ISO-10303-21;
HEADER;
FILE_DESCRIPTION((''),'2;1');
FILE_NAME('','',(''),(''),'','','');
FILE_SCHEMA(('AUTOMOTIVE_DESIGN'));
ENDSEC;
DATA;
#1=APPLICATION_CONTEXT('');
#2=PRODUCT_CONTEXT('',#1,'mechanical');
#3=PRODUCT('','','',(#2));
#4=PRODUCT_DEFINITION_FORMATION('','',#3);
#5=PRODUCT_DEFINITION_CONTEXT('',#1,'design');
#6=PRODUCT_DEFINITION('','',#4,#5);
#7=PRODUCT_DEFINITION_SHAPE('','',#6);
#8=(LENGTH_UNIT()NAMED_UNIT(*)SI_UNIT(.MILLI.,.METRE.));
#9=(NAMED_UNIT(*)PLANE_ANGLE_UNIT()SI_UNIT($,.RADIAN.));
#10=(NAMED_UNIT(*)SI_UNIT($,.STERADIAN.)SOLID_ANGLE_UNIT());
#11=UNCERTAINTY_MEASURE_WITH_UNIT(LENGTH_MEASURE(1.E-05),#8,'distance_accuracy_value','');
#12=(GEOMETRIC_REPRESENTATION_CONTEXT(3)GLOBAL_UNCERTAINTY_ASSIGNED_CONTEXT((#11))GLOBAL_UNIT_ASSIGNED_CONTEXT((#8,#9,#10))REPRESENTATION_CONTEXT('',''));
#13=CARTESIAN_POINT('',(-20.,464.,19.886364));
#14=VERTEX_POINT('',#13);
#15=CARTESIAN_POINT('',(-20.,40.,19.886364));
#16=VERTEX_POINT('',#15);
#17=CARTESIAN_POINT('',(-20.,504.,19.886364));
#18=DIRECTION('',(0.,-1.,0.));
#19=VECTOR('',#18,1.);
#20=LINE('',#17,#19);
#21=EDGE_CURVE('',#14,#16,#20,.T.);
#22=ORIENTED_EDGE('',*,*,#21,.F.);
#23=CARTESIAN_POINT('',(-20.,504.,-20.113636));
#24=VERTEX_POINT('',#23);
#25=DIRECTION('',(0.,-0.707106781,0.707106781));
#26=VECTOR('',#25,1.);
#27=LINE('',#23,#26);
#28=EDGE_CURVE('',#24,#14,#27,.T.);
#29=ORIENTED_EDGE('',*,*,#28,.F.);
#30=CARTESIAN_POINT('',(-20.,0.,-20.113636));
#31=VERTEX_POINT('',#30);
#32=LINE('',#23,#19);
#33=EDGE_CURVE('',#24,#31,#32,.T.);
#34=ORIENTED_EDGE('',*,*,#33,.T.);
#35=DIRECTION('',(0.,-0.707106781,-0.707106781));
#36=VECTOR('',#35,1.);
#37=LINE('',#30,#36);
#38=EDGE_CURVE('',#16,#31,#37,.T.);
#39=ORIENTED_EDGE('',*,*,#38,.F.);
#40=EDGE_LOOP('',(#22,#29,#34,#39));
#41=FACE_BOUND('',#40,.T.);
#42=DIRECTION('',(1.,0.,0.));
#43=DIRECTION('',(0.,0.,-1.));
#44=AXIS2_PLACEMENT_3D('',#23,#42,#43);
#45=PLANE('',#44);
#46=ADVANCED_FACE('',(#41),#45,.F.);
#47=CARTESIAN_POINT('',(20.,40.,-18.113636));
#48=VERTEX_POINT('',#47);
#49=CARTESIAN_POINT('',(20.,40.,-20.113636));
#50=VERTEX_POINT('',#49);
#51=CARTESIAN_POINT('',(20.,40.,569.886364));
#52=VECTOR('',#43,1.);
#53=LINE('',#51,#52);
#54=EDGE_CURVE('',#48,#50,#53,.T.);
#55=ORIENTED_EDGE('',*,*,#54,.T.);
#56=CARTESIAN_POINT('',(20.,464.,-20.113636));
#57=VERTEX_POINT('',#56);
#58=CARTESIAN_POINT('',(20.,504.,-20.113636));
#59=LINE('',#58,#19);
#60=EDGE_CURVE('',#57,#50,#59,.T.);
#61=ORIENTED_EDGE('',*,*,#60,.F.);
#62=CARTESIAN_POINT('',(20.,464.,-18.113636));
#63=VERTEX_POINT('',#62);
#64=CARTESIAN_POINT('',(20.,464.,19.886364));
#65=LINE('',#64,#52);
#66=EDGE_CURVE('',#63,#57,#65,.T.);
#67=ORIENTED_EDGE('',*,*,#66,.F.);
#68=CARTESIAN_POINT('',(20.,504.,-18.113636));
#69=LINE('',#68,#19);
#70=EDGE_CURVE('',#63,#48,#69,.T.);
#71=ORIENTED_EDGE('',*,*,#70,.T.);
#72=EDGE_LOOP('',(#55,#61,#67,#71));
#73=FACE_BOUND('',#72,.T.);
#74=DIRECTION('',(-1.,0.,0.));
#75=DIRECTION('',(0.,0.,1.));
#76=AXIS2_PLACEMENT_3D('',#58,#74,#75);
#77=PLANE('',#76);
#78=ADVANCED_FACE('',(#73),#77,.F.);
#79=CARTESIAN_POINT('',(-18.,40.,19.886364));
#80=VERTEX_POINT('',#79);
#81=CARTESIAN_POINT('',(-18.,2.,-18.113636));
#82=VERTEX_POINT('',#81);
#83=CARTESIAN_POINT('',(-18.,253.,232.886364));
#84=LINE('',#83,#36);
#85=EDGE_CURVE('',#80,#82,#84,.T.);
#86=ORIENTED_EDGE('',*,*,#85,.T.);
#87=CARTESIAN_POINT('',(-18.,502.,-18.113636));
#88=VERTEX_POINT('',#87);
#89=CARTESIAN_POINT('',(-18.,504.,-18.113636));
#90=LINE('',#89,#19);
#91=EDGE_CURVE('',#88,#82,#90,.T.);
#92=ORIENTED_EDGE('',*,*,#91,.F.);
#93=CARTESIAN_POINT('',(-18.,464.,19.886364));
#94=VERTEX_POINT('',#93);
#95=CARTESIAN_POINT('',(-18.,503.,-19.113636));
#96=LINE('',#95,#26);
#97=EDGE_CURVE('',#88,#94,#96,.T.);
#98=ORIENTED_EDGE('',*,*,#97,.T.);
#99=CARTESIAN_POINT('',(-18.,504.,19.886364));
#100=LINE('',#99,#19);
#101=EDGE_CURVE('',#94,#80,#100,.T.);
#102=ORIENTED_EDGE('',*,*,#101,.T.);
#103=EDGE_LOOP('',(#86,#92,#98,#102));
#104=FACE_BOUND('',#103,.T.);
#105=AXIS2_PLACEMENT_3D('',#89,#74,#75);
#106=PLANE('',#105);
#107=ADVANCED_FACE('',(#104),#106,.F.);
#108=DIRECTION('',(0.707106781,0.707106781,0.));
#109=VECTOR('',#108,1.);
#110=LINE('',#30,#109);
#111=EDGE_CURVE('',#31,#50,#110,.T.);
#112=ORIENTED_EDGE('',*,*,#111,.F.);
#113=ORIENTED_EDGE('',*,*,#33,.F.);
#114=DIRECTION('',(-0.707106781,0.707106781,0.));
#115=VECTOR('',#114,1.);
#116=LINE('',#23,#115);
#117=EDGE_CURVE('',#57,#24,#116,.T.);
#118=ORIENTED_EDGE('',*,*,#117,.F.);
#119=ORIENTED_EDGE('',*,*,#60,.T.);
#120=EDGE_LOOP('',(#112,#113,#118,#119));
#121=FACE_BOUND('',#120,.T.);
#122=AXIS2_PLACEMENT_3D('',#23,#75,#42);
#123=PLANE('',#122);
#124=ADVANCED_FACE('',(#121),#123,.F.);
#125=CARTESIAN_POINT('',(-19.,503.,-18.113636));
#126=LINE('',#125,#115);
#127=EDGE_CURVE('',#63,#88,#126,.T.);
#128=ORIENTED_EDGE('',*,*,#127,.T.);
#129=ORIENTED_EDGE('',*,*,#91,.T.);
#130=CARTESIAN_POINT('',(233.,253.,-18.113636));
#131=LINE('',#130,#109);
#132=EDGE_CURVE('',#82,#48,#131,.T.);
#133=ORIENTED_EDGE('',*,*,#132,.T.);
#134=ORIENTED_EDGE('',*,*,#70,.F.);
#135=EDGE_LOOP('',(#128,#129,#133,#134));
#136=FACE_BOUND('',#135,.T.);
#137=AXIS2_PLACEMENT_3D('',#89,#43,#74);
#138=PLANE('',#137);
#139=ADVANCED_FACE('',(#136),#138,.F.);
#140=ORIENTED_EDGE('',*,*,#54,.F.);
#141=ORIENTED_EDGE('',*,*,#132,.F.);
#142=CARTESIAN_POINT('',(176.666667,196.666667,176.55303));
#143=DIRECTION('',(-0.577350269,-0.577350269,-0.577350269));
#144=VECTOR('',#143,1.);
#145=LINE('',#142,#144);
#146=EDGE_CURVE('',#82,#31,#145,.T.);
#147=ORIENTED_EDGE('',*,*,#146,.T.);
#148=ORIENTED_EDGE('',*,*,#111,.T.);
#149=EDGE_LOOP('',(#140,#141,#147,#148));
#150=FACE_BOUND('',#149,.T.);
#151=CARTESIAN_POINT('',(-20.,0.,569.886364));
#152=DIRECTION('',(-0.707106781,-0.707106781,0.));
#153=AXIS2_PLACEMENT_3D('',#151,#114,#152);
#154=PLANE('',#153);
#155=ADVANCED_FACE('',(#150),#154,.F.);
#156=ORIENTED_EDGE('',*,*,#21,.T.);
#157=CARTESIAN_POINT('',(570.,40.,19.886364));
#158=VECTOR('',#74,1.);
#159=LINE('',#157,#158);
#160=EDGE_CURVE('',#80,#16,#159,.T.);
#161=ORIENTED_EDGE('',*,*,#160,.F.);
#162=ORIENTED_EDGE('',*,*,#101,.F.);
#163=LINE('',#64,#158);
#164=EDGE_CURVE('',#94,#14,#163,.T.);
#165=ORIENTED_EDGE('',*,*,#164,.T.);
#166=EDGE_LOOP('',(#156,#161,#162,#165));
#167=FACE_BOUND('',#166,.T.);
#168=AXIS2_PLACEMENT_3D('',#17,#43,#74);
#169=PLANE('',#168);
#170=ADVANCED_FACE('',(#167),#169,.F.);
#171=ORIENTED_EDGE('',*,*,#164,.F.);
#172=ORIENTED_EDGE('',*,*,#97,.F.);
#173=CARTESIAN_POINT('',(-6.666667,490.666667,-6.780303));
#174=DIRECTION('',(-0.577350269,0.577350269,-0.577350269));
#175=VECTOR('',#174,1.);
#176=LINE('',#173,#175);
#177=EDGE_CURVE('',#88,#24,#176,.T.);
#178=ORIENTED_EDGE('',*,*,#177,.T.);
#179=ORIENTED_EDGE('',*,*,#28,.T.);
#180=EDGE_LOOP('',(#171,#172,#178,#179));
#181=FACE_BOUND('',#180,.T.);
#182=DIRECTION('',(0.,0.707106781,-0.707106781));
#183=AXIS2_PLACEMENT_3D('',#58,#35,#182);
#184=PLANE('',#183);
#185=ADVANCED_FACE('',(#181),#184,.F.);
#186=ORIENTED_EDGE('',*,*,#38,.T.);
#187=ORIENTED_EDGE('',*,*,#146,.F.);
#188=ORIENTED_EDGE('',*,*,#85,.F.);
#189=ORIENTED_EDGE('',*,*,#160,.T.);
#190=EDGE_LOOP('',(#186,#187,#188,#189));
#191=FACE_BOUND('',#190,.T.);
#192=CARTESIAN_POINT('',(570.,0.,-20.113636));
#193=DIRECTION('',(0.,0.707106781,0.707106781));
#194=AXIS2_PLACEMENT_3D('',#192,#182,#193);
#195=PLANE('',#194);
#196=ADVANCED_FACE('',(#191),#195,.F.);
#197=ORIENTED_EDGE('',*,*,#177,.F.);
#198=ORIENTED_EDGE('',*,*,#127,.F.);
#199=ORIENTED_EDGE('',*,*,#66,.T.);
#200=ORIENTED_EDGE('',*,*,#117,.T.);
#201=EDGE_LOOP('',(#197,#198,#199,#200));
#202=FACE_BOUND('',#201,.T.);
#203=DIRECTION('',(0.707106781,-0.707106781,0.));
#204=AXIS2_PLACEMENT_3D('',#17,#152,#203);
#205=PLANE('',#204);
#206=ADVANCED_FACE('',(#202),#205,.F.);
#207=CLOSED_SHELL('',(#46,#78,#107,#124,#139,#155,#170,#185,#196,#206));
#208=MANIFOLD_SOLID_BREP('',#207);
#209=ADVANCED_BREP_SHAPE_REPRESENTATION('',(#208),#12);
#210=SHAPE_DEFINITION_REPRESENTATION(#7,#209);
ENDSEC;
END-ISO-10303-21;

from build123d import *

# Parameters (mm, degrees)
BOSS_EXTRU_1_DEPTH      = 504
ENL_V_MAT_EXTRU_1_DEPTH = 590
ENL_V_MAT_EXTRU_2_DEPTH = 590
ENL_V_MAT_EXTRU_3_DEPTH = 41
ENL_V_MAT_EXTRU_4_DEPTH = 41


with BuildPart() as part:
    # Esquisse1 → Boss.-Extru.1 (new body)
    with BuildSketch(Plane(origin=(0, 0, 0), x_dir=(1, 0, 0), z_dir=(0, 1, 0))):
        Polygon((-20, 20.113636364), (20, 20.113636364), (20, 18.113636364), (-18, 18.113636364), (-18, -19.886363636), (-20, -19.886363636), align=None)
    extrude(amount=BOSS_EXTRU_1_DEPTH)

    # Esquisse2 → Enlèv. mat.-Extru.1 (cut)
    with BuildSketch(Plane(origin=(0, 0, -20.113636364), x_dir=(-1, 0, 0), z_dir=(0, 0, -1))):
        Polygon((20, 0), (-20, 40), (-20, 0), align=None)
    extrude(amount=-ENL_V_MAT_EXTRU_1_DEPTH, mode=Mode.SUBTRACT)

    # Esquisse3 → Enlèv. mat.-Extru.2 (cut)
    with BuildSketch(Plane.ZY.offset(20)):
        Polygon((-20.113636364, 0), (19.886363636, 40), (19.886363636, 0), align=None)
    extrude(amount=-ENL_V_MAT_EXTRU_2_DEPTH, mode=Mode.SUBTRACT)

    # Esquisse4 → Enlèv. mat.-Extru.3 (cut, through all)
    with BuildSketch(Plane.ZY.offset(20)):
        Polygon((-20.113636364, 504), (19.886363636, 464), (19.886363636, 504), align=None)
    extrude(amount=-ENL_V_MAT_EXTRU_3_DEPTH, mode=Mode.SUBTRACT)

    # Esquisse5 → Enlèv. mat.-Extru.4 (cut, through all)
    with BuildSketch(Plane(origin=(0, 0, -20.113636364), x_dir=(-1, 0, 0), z_dir=(0, 0, -1))):
        Polygon((20, 504), (-20, 464), (-20, 504), align=None)
    extrude(amount=-ENL_V_MAT_EXTRU_4_DEPTH, mode=Mode.SUBTRACT)


solid = part.part
